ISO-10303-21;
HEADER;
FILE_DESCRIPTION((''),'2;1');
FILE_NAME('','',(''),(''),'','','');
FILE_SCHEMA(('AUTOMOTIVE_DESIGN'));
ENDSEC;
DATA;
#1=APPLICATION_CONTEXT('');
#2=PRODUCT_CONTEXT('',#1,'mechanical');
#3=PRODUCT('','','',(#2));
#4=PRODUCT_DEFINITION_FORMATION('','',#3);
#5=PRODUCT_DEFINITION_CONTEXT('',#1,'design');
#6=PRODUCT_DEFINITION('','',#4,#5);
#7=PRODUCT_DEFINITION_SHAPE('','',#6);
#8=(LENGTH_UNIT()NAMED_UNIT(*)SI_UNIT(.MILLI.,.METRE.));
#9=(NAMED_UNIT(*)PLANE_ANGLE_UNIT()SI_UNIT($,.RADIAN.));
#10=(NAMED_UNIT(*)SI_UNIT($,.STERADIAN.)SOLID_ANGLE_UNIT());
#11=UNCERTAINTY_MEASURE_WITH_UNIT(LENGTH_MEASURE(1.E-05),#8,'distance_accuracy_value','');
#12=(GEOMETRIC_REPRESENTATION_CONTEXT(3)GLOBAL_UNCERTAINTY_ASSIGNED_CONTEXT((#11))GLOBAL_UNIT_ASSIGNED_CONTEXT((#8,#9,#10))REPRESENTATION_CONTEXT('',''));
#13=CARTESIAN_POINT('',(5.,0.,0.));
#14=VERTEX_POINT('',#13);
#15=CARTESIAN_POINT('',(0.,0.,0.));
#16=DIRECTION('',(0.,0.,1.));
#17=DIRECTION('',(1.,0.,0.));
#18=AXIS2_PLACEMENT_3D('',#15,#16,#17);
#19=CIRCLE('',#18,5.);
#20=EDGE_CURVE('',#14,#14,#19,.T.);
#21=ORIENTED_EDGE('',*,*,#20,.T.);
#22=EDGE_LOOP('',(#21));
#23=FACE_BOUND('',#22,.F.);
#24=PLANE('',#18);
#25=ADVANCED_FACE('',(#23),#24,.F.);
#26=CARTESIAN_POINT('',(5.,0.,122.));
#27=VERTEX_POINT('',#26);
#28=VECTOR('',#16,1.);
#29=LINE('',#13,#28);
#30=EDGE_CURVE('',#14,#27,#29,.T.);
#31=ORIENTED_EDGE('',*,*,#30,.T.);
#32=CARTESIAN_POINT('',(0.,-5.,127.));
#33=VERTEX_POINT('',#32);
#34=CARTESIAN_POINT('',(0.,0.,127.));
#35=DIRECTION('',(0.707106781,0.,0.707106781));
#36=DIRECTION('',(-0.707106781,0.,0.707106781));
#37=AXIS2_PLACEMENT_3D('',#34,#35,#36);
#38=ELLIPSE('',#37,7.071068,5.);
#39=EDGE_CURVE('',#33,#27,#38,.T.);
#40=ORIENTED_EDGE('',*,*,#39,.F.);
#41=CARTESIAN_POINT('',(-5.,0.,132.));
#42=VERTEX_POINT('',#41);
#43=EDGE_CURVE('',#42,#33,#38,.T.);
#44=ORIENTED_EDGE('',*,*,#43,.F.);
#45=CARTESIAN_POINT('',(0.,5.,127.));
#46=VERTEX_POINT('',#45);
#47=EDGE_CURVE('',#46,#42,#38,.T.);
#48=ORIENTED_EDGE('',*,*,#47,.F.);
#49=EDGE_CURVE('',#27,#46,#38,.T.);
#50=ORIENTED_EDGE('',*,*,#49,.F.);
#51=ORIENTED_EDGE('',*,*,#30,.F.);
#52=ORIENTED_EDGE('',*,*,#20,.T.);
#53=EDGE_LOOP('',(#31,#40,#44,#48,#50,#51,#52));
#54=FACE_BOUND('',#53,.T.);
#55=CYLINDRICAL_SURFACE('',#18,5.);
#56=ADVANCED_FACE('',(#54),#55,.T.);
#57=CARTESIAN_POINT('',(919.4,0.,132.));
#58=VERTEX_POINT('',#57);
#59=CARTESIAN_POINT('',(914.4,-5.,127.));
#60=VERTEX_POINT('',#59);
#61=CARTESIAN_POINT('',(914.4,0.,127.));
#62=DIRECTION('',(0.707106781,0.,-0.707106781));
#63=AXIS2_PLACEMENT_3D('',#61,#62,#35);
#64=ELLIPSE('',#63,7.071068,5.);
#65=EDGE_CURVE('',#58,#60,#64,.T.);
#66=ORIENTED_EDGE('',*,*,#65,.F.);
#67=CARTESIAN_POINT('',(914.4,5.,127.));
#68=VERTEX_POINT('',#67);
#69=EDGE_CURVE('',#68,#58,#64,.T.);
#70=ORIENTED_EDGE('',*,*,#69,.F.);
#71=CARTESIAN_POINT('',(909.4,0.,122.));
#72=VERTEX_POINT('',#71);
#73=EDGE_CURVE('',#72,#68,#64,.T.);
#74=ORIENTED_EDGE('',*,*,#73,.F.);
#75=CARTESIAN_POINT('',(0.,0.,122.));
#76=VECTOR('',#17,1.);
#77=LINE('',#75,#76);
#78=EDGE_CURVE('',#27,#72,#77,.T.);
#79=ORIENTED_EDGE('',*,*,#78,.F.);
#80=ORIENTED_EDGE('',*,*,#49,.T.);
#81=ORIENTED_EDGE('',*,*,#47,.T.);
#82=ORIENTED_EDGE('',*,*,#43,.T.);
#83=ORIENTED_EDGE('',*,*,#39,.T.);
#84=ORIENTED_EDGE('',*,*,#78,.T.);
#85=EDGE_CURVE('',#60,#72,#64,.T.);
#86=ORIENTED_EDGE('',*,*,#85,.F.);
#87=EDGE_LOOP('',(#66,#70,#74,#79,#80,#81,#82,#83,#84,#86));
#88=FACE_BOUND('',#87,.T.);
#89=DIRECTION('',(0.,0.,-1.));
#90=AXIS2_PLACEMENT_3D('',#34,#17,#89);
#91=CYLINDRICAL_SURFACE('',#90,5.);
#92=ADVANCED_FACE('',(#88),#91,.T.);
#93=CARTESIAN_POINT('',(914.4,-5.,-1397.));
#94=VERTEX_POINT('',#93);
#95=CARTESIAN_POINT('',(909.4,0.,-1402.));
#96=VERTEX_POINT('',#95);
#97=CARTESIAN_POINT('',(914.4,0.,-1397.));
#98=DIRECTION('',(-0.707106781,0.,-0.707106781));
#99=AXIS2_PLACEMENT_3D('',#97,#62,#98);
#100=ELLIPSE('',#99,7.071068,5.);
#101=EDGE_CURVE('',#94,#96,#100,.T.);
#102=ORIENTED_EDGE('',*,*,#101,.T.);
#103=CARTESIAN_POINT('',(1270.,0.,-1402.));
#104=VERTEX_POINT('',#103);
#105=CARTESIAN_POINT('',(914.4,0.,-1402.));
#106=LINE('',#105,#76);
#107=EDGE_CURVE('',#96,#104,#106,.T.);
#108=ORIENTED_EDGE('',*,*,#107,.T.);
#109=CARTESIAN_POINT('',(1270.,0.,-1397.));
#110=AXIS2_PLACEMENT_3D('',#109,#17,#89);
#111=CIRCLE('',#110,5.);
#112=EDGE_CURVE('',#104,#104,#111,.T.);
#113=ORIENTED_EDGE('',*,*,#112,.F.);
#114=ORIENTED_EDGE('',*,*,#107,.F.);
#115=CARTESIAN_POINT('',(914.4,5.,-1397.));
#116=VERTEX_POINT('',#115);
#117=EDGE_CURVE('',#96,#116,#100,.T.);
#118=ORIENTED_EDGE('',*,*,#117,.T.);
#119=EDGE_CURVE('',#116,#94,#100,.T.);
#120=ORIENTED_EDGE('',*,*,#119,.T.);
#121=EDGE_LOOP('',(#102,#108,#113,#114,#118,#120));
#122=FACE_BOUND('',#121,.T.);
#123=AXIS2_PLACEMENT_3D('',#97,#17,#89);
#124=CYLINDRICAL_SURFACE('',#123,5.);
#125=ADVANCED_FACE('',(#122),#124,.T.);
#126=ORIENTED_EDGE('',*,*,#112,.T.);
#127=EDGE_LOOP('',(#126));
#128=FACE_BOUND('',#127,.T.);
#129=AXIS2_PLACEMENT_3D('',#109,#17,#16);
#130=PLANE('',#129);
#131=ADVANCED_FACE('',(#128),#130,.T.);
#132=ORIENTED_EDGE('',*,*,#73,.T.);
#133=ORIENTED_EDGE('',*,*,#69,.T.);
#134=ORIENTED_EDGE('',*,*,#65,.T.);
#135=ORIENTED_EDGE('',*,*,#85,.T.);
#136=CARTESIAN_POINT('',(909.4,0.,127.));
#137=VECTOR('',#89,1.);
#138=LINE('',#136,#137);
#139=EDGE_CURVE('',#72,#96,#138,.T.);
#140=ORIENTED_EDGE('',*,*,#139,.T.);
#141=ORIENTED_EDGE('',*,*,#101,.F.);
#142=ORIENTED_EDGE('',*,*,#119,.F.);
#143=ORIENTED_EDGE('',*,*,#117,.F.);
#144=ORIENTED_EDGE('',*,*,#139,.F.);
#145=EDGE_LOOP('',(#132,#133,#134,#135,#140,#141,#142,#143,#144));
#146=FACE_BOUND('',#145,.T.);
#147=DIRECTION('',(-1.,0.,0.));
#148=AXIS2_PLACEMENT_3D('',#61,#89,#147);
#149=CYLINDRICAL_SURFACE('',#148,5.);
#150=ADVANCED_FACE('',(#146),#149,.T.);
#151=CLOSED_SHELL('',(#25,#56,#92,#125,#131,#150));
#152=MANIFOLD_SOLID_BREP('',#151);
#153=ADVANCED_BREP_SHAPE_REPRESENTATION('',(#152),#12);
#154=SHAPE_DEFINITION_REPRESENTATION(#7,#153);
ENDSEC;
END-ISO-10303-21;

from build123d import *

# Parameters (mm, degrees)
F0_R = 5


with BuildPart() as f2:
    # F2: sweep along a path in F1
    with BuildLine(Plane.XZ) as f2_path:
        Line((0, 0), (0, 127))
        Line((0, 127), (914.4, 127))
        Line((914.4, 127), (914.4, -1397))
        Line((914.4, -1397), (1270, -1397))
    # F0 (on Top) → F2 (sweep)
    with BuildSketch(Plane.XY):
        Circle(F0_R)
    sweep(path=f2_path.line, transition=Transition.RIGHT)


solid = f2.part
